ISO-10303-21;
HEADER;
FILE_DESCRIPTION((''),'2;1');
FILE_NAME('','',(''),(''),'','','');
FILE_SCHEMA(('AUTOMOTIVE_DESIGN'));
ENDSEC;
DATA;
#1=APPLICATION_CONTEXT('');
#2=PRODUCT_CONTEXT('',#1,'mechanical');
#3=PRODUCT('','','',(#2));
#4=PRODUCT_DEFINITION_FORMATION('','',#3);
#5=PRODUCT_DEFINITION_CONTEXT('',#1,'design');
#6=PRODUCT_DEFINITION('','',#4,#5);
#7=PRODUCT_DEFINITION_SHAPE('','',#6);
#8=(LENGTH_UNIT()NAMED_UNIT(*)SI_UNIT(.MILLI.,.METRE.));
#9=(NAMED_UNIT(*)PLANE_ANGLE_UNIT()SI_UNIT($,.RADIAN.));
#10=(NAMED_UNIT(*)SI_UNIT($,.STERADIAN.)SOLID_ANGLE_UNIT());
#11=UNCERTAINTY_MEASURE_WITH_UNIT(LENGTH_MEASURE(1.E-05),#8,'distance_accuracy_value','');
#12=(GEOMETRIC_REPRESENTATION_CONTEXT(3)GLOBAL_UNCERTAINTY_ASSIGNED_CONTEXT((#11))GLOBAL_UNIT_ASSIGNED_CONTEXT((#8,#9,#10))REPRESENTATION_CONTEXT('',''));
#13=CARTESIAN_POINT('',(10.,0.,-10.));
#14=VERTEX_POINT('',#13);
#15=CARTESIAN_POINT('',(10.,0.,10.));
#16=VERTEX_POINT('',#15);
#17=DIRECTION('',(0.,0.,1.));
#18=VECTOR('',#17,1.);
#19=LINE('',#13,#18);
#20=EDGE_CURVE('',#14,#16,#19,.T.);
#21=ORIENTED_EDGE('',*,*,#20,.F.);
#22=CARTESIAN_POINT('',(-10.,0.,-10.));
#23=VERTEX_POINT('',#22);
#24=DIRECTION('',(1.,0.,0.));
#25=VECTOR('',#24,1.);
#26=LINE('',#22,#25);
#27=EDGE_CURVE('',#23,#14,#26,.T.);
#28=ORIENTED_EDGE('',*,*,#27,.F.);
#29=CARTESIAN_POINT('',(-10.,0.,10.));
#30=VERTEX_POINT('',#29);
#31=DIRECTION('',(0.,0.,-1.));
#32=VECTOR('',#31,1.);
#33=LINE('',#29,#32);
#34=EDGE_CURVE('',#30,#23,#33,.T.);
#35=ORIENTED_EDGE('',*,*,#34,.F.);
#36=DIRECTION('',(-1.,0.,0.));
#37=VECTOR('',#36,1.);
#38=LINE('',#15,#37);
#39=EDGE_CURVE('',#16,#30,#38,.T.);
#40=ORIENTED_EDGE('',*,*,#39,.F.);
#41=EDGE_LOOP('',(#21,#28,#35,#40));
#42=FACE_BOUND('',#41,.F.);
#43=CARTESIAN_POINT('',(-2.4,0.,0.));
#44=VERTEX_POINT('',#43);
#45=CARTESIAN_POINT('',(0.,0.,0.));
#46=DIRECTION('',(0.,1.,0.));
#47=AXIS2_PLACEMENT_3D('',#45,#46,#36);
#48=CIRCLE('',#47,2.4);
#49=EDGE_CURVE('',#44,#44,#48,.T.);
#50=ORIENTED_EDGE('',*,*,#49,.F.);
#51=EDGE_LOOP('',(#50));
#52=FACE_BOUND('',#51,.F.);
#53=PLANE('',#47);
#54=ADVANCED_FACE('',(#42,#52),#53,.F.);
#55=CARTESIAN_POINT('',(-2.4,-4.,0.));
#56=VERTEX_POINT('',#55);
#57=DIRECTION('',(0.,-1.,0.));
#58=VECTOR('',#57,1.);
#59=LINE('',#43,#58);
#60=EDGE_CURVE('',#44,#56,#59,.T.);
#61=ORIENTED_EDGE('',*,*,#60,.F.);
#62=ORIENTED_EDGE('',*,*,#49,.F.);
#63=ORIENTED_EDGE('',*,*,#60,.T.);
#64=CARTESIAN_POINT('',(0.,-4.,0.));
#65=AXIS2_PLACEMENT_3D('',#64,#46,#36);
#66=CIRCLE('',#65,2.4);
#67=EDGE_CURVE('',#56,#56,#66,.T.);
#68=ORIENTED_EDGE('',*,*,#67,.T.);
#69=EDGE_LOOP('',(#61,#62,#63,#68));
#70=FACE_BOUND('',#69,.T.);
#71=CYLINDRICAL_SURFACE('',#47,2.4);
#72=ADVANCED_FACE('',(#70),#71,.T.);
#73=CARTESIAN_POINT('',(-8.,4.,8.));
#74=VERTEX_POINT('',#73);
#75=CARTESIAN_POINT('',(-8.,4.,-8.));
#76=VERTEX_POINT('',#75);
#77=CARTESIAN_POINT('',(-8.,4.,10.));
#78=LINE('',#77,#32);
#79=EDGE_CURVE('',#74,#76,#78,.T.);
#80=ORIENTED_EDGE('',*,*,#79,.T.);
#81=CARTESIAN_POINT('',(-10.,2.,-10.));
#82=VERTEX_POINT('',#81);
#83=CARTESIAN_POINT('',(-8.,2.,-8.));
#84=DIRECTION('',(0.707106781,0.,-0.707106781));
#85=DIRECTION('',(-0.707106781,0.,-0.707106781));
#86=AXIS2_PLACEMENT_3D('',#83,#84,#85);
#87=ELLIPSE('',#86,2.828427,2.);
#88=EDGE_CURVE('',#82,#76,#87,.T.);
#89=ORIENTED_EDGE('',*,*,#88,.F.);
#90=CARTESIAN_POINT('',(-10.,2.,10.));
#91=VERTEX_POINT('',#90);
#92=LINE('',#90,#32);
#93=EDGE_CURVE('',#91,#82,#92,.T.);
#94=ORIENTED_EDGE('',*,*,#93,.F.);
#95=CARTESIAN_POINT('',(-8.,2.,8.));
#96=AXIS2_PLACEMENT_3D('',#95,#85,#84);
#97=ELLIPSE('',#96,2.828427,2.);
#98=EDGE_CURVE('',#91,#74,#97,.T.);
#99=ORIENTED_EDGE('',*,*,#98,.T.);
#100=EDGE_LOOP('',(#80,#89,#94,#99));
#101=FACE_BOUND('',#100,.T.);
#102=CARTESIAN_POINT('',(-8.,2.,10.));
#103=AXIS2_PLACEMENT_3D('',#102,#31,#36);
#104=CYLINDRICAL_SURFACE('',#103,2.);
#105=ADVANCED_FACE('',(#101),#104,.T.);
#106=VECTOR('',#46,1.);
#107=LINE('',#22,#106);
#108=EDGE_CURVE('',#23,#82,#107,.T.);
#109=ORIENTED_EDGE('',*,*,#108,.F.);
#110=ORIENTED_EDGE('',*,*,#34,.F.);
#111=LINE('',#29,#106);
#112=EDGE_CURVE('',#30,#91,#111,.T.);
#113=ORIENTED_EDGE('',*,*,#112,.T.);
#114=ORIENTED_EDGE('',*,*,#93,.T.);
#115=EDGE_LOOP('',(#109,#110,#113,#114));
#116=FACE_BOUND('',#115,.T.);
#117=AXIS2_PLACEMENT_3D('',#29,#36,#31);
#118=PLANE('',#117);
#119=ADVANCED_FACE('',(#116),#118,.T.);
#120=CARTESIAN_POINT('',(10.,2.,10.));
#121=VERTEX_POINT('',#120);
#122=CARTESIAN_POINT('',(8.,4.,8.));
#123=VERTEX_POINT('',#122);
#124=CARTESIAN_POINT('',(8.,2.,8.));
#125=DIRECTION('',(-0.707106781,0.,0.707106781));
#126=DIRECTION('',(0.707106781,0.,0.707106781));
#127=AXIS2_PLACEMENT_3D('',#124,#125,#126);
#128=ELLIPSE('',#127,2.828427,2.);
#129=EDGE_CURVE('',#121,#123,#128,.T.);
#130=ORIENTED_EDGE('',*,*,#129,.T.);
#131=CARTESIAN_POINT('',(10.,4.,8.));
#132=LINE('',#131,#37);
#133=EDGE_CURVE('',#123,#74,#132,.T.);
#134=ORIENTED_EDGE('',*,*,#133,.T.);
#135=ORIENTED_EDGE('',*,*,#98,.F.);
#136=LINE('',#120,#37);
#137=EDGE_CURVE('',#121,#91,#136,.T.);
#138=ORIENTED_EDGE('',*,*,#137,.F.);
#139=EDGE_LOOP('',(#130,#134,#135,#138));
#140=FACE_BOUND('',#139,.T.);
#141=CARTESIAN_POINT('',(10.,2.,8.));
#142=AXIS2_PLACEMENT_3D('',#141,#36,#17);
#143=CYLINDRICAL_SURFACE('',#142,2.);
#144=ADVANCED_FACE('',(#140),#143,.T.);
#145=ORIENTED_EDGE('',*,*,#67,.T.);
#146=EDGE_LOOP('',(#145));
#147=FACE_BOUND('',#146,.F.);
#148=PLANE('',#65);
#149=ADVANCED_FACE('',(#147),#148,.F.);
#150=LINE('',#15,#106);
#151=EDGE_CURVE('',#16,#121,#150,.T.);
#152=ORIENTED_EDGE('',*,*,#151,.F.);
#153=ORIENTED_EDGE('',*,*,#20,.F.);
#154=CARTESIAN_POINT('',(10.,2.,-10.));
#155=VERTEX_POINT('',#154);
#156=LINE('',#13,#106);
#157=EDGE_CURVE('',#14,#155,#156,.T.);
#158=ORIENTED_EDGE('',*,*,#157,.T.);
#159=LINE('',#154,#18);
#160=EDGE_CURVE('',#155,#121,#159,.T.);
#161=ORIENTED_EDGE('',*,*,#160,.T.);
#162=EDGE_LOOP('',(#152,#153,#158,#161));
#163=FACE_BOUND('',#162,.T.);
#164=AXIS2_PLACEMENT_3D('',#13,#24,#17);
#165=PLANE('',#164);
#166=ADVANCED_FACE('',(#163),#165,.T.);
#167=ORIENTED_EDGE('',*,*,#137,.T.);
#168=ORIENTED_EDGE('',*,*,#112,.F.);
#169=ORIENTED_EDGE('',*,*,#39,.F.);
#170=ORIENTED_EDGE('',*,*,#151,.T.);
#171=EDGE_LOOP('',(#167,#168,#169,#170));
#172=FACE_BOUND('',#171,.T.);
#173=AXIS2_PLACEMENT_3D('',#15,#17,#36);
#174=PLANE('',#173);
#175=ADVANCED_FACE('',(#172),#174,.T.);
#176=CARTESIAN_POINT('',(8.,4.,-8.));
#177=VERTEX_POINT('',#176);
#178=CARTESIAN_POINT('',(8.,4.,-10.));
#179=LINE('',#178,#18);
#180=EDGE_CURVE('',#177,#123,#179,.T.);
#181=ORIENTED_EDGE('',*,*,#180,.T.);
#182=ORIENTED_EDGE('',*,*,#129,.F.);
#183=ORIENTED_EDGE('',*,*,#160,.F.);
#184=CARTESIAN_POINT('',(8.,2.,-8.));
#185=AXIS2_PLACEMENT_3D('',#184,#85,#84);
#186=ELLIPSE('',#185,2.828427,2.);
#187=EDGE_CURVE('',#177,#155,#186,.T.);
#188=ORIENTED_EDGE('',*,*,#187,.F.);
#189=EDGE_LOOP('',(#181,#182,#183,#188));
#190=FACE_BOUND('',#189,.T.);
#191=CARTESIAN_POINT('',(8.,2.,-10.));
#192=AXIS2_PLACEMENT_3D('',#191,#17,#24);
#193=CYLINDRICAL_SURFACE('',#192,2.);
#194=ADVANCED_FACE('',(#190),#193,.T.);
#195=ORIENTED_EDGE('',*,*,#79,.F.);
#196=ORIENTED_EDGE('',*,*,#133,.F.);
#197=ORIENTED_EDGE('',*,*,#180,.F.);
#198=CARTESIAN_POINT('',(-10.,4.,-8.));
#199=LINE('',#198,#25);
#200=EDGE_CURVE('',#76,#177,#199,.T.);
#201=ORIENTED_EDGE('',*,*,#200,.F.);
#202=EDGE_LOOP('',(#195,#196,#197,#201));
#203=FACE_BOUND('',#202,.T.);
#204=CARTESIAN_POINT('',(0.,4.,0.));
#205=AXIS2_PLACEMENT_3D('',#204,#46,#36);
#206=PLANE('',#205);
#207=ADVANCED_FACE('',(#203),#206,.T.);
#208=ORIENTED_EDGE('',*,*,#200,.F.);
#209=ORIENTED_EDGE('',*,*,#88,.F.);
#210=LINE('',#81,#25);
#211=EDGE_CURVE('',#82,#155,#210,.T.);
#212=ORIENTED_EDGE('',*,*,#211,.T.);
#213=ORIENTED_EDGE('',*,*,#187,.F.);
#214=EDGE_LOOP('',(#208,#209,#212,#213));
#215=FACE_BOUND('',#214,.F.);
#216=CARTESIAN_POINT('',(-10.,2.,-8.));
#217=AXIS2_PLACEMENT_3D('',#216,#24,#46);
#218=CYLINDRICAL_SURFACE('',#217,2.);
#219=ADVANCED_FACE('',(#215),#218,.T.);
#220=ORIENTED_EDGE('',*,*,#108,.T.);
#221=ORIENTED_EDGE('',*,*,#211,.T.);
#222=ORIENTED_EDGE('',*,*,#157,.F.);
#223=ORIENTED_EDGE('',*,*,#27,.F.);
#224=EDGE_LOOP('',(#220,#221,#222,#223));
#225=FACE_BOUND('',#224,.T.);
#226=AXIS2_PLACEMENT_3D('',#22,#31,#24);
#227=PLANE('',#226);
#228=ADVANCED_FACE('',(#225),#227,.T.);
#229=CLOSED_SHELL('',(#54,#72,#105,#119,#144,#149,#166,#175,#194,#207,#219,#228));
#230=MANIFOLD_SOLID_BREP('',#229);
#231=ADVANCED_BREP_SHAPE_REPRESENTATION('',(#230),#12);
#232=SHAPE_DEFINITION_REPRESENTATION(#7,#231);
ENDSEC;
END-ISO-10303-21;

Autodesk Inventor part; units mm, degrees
sketch "Sketch1" plane through (0, 0, 0) normal (0, 1, 0) x (-1, 0, 0)
  line L0 (-10, 10) -> (10, 10)
  line L1 (10, 10) -> (10, -10)
  line L2 (10, -10) -> (-10, -10)
  line L3 (-10, -10) -> (-10, 10)
  line L4 (-10, 10) -> (10, -10) construction
  line L5 (10, 10) -> (-10, -10) construction
  circle A0 centre (0, 0) radius 2.4
  dimension "d0" = 20
  dimension "d3" = 4.8
extrude "Extrusion1" add sketch "Sketch1" along normal mid plane 8 contours A0
extrude "Extrusion2" add sketch "Sketch1" along normal blind 4
fillet "Fillet1" radius 2 4 edges at (-10, 4, 0) (0, 4, -10) (10, 4, 0) (0, 4, 10)
properties part number "tampa_001_001_3DPrint"
